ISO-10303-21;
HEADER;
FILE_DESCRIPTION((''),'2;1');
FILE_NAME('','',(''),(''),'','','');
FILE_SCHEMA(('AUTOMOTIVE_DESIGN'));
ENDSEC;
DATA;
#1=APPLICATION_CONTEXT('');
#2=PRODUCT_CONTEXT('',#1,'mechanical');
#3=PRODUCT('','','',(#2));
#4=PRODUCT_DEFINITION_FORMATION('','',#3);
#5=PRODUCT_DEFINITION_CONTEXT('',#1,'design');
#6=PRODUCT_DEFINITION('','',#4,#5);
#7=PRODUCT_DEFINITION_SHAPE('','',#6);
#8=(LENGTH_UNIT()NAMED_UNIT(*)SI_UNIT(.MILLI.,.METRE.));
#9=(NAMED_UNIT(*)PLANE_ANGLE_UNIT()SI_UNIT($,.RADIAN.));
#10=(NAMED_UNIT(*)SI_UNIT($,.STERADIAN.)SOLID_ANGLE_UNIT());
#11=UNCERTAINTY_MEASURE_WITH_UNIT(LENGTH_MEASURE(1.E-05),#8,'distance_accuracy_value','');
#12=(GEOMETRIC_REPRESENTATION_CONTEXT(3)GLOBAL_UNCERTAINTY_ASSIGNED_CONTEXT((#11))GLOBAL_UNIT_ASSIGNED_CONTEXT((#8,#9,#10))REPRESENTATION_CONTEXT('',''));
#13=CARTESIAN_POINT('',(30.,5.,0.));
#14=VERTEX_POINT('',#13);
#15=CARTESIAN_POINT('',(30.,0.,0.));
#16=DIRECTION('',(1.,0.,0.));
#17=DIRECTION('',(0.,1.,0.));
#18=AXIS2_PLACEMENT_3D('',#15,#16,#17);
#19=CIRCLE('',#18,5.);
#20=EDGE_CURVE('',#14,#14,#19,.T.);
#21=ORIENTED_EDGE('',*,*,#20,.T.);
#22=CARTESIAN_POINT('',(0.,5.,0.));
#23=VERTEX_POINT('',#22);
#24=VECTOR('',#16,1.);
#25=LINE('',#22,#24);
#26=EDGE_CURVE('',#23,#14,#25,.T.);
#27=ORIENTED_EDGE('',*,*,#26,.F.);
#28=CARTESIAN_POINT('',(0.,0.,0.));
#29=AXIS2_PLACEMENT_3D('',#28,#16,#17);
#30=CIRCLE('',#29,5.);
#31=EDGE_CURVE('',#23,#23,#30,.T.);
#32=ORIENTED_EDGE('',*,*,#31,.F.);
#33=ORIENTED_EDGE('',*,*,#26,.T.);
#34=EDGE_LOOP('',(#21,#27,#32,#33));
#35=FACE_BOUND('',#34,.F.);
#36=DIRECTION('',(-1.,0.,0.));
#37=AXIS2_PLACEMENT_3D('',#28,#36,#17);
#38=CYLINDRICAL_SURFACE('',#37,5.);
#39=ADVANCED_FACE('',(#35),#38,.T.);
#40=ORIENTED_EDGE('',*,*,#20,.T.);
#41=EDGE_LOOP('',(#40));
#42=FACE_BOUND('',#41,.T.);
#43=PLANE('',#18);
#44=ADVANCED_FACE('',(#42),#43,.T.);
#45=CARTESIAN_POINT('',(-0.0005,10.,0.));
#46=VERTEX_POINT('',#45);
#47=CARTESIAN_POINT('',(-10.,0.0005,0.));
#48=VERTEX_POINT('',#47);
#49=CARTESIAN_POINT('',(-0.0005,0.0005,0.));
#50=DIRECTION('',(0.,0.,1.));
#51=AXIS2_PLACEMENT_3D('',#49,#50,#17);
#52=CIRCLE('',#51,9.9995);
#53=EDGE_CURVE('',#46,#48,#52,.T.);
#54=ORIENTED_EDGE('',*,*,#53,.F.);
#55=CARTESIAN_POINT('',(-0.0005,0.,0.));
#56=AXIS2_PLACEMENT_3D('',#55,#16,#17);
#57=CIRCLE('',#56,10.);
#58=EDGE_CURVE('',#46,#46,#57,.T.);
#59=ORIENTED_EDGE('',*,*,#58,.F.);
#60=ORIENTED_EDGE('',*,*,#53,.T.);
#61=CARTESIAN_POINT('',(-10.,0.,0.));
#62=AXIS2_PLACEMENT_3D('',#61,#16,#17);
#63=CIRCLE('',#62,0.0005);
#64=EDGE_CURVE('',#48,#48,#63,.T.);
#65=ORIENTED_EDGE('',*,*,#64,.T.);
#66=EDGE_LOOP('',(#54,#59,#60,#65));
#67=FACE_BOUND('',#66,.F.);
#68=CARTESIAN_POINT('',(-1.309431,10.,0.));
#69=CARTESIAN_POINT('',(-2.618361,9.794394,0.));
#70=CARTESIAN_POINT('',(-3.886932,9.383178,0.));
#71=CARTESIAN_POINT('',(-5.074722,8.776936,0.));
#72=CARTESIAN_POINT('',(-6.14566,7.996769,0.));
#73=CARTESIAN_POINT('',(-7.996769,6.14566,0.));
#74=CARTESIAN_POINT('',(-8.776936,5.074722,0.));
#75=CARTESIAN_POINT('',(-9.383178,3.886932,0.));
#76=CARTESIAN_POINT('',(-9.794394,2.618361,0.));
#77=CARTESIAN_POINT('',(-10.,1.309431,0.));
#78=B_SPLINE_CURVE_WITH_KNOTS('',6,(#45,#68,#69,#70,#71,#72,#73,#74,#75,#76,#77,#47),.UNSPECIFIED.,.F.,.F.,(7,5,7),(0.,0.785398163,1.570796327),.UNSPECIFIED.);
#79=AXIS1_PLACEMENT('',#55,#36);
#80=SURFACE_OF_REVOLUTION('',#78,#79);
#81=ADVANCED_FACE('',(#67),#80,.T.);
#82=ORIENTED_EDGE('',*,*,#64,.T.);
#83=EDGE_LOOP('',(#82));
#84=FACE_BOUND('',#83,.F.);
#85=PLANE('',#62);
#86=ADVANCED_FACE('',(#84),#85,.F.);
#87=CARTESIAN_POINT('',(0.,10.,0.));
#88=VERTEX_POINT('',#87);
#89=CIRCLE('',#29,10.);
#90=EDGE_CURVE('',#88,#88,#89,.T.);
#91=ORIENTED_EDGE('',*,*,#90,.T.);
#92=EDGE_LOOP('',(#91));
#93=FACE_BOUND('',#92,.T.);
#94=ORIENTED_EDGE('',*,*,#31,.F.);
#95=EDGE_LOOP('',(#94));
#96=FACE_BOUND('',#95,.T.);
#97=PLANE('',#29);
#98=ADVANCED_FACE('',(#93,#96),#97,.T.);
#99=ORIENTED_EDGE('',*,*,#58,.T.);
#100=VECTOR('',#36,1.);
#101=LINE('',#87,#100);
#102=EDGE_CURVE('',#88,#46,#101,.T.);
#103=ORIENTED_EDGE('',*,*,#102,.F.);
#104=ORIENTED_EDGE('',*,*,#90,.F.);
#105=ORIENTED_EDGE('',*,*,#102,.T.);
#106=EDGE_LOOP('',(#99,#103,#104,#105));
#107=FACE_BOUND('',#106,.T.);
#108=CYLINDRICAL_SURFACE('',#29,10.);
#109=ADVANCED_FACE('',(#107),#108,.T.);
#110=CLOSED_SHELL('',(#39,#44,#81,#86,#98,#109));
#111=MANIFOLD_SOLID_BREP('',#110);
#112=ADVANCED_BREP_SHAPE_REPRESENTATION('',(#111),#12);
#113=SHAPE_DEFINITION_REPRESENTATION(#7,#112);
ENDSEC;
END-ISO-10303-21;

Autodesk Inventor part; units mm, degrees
ref_plane "YZ Plane" through (0, 0, 0) normal (1, 0, 0) x (0, 1, 0)
ref_plane "XZ Plane" through (0, 0, 0) normal (0, 1, 0) x (-1, 0, 0)
ref_plane "XY Plane" through (0, 0, 0) normal (0, 0, 1) x (1, 0, 0)
sketch "Skizze1" plane through (0, 0, 0) normal (1, 0, 0) x (0, 1, 0)
  circle A0 centre (0, 0) radius 5
  circle A1 centre (0, 0) radius 10
  dimension "d0" = 10
  dimension "d3" = 5
extrude "Extrusion1" add sketch "Skizze1" along normal blind 30 contours A0
extrude "Extrusion2" add sketch "Skizze1" against normal blind 10 contours A0 | A1
fillet "Rundung1" radius 10 1 edges at (-10, -10, 0)
equation "\"d4\" = d3 + 0.5 * d0"
equation "\"d6\" = d3 + 0.5 * d0"
properties part number "FilmLamp-Clamp"
